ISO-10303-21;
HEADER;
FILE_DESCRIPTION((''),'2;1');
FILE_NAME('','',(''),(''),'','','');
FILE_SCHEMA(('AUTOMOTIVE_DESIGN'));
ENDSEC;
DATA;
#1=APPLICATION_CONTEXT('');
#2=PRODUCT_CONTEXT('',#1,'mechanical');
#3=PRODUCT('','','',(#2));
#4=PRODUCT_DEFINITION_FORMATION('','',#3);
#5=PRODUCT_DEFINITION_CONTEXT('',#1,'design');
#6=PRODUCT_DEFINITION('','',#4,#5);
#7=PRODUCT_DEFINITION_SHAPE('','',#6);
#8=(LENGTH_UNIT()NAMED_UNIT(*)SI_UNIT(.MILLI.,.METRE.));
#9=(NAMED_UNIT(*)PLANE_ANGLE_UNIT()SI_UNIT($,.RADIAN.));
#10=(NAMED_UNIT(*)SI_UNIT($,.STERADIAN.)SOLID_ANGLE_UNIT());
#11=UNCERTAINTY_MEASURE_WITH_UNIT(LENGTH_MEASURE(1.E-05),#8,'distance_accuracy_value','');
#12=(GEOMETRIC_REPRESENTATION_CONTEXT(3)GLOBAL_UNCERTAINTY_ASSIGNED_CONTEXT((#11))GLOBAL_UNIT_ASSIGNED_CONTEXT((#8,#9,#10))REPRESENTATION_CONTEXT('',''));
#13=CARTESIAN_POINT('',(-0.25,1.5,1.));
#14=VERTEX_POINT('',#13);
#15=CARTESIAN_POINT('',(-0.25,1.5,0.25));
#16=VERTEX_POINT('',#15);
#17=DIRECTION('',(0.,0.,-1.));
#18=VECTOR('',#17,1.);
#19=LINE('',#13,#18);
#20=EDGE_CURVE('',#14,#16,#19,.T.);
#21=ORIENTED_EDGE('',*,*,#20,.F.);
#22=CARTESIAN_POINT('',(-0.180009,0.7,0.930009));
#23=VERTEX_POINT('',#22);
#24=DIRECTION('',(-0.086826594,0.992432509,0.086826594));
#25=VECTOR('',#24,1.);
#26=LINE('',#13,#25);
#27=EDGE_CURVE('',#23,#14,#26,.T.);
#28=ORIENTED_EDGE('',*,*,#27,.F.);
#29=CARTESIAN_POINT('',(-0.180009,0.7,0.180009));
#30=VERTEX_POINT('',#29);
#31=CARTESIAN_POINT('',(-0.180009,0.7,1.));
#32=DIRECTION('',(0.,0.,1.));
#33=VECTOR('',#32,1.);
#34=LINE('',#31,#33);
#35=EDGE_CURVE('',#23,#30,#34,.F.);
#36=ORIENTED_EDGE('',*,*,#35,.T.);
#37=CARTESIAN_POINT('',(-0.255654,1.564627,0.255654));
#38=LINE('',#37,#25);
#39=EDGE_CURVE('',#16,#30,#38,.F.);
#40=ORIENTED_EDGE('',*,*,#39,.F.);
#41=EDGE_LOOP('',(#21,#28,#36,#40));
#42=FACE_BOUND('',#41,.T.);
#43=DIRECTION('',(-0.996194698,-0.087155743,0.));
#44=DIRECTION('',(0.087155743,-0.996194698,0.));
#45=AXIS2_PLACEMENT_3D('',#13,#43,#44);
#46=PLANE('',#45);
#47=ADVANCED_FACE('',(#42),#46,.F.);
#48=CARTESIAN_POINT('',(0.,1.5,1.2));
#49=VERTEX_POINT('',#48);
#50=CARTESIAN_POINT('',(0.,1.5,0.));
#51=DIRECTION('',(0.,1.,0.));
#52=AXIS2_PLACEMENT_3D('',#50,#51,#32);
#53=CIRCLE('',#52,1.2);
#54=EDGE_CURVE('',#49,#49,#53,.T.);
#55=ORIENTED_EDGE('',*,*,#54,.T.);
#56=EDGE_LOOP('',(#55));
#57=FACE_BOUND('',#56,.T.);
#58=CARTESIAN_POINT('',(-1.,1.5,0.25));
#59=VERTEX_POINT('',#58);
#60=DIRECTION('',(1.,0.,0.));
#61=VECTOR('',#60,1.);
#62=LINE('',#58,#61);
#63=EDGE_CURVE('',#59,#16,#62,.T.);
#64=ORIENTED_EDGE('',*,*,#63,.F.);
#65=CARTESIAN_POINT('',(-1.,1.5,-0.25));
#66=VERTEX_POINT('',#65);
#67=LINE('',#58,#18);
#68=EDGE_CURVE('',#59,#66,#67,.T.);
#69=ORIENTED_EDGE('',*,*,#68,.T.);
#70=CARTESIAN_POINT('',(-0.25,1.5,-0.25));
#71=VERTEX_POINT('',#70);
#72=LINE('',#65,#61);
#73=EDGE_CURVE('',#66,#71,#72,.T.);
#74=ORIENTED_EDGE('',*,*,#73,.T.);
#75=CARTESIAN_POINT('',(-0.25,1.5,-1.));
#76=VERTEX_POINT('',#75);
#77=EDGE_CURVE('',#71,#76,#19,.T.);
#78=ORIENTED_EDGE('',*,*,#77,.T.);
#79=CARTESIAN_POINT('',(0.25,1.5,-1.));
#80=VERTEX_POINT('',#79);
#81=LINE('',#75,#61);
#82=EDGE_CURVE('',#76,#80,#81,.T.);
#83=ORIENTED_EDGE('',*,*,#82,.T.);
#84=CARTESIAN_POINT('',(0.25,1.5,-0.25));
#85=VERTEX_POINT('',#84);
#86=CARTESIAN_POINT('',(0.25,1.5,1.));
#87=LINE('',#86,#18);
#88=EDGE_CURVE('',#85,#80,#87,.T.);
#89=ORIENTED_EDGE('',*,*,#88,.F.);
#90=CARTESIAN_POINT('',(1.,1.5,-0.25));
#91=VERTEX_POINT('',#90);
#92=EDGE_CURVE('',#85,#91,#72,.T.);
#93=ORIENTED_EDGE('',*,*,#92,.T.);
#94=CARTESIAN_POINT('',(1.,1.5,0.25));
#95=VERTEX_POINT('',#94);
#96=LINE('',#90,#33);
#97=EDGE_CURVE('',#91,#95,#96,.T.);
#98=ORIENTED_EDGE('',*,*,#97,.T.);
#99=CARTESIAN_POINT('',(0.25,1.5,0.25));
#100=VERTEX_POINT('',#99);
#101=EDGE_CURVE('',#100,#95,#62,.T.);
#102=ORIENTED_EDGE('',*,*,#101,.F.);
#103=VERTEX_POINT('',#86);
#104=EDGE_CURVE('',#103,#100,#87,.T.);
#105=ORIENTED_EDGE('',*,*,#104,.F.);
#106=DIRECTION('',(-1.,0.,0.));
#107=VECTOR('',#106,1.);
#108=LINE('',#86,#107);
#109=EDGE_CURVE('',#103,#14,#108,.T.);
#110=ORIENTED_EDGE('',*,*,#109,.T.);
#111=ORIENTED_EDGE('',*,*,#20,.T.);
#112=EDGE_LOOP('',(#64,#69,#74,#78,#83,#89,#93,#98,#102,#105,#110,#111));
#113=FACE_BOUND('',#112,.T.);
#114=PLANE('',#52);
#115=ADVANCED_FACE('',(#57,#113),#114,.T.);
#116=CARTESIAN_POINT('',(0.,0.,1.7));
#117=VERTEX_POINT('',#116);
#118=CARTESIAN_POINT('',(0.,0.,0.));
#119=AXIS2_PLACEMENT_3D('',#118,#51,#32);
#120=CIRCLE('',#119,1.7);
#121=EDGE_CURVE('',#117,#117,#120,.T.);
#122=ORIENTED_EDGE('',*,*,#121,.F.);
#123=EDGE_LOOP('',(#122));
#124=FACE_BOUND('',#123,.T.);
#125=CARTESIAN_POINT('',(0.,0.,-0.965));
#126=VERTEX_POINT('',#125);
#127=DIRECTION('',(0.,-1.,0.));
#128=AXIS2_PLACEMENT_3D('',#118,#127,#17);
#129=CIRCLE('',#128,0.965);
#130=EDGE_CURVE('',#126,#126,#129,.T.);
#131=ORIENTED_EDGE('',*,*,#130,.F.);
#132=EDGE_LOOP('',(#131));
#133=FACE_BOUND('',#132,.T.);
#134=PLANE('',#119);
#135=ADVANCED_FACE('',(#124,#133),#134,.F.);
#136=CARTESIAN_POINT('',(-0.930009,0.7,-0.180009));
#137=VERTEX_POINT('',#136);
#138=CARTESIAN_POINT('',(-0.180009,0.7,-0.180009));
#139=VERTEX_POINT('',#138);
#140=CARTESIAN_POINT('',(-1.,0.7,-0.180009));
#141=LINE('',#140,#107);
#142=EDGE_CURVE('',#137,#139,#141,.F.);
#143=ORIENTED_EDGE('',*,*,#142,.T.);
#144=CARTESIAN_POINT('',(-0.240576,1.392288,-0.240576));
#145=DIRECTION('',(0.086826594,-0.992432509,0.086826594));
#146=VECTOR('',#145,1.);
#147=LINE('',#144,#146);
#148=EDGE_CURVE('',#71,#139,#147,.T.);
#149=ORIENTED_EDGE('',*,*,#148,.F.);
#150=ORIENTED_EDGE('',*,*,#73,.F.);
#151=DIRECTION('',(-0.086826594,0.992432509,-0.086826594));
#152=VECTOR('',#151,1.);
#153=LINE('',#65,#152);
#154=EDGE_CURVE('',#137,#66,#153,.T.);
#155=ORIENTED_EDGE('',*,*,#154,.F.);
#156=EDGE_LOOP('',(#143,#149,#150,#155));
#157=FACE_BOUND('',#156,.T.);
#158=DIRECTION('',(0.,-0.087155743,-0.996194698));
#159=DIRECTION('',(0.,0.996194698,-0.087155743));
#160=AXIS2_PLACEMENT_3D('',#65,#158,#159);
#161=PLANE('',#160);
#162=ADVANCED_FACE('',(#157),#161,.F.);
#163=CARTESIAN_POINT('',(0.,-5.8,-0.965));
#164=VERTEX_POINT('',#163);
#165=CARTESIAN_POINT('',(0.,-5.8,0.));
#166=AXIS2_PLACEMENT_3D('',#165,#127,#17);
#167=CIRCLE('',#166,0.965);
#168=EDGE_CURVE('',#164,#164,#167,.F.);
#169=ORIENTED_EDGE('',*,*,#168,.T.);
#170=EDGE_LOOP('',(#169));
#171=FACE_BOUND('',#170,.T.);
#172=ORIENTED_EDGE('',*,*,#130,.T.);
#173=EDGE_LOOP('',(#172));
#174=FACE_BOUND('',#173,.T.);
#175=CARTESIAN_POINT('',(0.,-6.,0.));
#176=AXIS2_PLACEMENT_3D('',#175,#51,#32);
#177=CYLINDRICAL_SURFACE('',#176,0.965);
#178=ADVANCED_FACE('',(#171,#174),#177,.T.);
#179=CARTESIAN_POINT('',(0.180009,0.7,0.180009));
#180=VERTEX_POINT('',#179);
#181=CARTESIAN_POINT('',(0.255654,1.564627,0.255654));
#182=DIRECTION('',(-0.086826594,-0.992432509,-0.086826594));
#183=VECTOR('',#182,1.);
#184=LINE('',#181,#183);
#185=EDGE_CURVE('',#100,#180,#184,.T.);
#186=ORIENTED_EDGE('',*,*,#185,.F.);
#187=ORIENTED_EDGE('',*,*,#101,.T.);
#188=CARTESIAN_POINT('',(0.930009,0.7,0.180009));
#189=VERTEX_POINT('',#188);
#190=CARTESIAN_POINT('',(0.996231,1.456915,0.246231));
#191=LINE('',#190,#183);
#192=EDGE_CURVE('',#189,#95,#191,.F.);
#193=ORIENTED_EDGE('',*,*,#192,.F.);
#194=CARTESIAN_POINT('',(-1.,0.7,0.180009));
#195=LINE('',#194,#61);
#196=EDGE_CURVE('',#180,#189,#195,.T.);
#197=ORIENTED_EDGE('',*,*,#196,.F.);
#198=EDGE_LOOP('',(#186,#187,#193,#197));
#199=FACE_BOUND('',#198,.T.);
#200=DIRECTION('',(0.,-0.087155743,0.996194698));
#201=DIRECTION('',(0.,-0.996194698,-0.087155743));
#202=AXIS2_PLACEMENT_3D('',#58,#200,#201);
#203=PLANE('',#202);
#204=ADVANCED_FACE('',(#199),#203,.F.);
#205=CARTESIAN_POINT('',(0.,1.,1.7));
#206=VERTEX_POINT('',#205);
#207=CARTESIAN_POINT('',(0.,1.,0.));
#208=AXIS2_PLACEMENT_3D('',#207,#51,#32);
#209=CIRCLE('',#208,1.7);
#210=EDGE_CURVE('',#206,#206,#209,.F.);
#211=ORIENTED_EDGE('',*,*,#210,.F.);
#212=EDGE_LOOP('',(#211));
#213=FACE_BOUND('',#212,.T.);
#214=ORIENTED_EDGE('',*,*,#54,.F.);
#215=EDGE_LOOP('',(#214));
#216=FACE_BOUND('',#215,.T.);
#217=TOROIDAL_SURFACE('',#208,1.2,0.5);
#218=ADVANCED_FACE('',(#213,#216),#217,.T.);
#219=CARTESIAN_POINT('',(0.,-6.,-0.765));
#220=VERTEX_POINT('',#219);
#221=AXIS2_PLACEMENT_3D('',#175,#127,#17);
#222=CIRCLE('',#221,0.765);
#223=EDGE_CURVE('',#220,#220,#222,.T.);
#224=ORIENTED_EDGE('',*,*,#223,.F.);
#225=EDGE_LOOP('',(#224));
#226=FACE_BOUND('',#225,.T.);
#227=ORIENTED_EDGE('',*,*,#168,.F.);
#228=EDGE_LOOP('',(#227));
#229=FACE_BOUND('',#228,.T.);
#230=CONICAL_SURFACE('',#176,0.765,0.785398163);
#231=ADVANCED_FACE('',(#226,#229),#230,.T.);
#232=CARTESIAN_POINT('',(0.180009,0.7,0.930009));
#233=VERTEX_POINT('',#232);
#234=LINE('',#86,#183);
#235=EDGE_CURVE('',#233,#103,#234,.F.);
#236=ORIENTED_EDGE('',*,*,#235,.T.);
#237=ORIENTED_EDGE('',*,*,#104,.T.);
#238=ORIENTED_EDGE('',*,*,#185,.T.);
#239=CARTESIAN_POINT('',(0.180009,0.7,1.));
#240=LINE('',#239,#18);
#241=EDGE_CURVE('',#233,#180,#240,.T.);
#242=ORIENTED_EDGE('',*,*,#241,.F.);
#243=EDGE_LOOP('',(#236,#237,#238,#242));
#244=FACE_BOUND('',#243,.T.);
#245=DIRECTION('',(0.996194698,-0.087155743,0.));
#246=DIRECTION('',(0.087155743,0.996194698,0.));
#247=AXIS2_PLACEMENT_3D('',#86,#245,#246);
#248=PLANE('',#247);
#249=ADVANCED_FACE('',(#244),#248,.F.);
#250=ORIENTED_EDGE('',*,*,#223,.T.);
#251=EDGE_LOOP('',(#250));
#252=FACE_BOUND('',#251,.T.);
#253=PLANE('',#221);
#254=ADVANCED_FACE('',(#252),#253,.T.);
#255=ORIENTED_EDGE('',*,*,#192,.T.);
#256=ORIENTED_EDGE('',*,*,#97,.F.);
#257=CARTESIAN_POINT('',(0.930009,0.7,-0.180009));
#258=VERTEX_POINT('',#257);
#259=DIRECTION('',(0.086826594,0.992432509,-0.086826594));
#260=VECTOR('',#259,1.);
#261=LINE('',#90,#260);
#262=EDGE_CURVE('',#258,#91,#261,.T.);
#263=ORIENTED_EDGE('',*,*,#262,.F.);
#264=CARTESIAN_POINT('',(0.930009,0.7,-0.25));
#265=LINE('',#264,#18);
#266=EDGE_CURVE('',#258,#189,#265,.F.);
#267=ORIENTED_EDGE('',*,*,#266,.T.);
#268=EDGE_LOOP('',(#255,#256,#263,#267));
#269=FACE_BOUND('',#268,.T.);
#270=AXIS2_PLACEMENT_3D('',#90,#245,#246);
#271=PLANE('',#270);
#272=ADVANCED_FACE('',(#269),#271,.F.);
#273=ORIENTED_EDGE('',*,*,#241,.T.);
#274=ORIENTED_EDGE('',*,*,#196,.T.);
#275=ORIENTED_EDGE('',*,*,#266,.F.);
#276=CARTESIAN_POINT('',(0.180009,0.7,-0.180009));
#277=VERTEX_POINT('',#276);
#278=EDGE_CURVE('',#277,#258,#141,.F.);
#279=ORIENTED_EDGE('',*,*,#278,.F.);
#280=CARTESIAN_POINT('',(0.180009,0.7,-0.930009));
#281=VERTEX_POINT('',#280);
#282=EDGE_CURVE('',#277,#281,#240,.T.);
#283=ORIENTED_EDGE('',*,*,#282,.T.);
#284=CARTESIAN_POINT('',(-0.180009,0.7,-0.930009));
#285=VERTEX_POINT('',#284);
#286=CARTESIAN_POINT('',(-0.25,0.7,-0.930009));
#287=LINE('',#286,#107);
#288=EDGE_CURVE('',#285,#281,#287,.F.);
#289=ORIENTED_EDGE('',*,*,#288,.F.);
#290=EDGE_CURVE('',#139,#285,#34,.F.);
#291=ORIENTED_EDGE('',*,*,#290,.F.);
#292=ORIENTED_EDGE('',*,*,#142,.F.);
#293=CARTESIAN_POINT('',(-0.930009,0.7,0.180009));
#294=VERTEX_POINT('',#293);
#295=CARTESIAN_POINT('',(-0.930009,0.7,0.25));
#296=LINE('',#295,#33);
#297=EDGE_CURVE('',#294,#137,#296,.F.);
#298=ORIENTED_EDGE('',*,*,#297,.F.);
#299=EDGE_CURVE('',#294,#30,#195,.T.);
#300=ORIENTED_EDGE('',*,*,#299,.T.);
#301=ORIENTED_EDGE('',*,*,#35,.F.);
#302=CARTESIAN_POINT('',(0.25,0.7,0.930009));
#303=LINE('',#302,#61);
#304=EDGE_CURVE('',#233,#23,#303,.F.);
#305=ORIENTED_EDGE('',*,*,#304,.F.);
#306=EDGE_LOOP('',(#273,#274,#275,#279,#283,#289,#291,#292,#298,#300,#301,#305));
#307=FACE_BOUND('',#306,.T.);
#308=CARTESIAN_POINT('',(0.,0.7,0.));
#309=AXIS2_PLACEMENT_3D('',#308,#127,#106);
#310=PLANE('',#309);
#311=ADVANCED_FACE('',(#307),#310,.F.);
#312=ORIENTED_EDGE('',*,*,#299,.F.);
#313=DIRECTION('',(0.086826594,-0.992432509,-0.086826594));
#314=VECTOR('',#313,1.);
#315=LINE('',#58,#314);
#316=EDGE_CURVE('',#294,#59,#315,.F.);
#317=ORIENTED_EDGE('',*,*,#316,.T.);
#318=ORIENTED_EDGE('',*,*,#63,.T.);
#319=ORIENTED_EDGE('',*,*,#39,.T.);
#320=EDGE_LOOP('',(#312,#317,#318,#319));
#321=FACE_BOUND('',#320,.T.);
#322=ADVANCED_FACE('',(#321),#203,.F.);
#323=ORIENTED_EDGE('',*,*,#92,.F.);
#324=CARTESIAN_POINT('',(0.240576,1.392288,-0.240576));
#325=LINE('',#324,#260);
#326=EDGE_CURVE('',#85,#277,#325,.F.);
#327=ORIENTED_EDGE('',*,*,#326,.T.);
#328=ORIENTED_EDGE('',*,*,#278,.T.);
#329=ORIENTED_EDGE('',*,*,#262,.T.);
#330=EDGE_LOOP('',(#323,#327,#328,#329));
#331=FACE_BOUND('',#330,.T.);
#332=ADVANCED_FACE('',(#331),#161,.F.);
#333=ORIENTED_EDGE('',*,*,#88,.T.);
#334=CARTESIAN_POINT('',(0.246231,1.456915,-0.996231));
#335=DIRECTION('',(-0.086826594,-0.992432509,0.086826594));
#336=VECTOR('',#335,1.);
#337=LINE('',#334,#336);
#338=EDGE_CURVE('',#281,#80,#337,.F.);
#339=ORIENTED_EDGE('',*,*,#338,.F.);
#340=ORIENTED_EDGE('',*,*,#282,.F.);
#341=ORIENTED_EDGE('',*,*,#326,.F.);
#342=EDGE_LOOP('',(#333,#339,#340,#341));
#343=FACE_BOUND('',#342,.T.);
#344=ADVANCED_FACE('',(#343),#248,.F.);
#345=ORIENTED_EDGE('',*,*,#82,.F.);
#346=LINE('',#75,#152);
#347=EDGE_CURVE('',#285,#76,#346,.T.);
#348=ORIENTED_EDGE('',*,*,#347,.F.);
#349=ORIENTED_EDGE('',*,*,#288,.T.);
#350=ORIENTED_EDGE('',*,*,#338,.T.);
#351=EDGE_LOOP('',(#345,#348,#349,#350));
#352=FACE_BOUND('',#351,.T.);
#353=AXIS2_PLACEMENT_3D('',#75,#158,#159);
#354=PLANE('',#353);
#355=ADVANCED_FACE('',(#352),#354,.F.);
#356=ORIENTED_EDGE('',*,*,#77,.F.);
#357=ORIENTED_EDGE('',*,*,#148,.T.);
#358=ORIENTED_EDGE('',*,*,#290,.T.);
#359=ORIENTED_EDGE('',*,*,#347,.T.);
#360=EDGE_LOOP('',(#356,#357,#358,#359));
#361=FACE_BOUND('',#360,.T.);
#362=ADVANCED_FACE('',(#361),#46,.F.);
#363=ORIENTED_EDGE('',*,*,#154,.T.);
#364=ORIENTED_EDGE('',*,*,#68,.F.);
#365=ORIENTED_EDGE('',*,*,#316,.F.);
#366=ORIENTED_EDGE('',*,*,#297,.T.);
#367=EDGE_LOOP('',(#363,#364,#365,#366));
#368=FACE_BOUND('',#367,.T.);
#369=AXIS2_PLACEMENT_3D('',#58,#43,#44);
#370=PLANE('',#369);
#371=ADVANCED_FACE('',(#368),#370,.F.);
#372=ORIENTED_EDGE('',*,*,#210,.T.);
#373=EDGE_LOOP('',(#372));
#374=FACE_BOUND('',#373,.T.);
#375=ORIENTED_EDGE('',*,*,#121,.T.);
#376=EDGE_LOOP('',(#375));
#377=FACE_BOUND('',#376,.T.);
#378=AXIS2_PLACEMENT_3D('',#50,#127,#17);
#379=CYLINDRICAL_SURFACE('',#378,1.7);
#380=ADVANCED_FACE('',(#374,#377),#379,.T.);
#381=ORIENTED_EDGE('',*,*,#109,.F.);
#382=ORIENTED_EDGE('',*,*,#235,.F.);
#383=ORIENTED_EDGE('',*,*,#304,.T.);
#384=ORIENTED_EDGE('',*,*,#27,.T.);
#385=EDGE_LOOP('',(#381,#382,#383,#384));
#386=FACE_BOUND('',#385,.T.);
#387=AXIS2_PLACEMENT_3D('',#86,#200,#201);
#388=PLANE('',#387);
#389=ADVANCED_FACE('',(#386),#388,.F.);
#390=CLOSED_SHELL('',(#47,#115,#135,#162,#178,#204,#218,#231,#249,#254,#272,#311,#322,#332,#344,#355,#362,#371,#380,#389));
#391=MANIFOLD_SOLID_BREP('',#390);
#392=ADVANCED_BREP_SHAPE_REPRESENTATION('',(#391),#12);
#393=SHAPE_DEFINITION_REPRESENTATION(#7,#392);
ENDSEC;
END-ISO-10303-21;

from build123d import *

# Parameters (mm, degrees)
SKETCH1_R                         = 1.7
BOSS_EXTRUDE1_DEPTH               = 1.5
SKETCH2_R                         = 0.965
BOSS_EXTRUDE2_DEPTH               = 6
CHAMFER1_SIZE                     = 0.2
SKETCH3_W                         = 0.5
SKETCH3_H                         = 2
CUT_EXTRUDE_THIN1_DEPTH           = 0.8
CUT_EXTRUDE_THIN1_DRAFT           = -5
SKETCH3_W_2                       = 2
SKETCH3_H_2                       = 0.5
CUT_EXTRUDE_THIN1_PROFILE_2_DEPTH = 0.8
CUT_EXTRUDE_THIN1_PROFILE_2_DRAFT = -5
FILLET1_R                         = 0.5


with BuildPart() as part:
    # Sketch1 → Boss-Extrude1 (new body)
    with BuildSketch(Plane(origin=(0, 0, 0), x_dir=(1, 0, 0), z_dir=(0, 1, 0))):
        Circle(SKETCH1_R)
    extrude(amount=BOSS_EXTRUDE1_DEPTH)

    # Sketch2 → Boss-Extrude2 (add)
    with BuildSketch(Plane.XZ):
        Circle(SKETCH2_R)
    extrude(amount=BOSS_EXTRUDE2_DEPTH)

    # Chamfer1
    chamfer1_edges = [part.edges().sort_by_distance(p)[0] for p in [
        (-0.965, -6, 0),
    ]]
    chamfer(chamfer1_edges, length=CHAMFER1_SIZE)


with BuildPart() as cut_extrude_thin1_tool:
    # Sketch3 → Cut-Extrude-Thin1 (with draft: the straight prism first)
    with BuildSketch(Plane(origin=(0, 1.5, 0), x_dir=(1, 0, 0), z_dir=(0, 1, 0))):
        Rectangle(SKETCH3_W, SKETCH3_H)
    extrude(amount=-CUT_EXTRUDE_THIN1_DEPTH)
    # Cut-Extrude-Thin1: the draft: its side faces are tilted about the plane it starts from
    cut_extrude_thin1_sides = [cut_extrude_thin1_tool.faces().sort_by_distance(p)[0] for p in [
        (0.25, 1.1, 0),
        (0, 1.1, -1),
        (-0.25, 1.1, 0),
        (0, 1.1, 1),
    ]]
    draft(cut_extrude_thin1_sides, Plane(origin=(0, 1.5, 0), x_dir=(1, 0, 0), z_dir=(0, 1, 0)), CUT_EXTRUDE_THIN1_DRAFT)


with BuildPart() as part_1:
    add(part.part)

    # Cut-Extrude-Thin1: cut by cut_extrude_thin1_tool
    add(cut_extrude_thin1_tool.part, mode=Mode.SUBTRACT)


with BuildPart() as cut_extrude_thin1_profile_2_tool:
    # Sketch3 → Cut-Extrude-Thin1 profile 2 (with draft: the straight prism first)
    with BuildSketch(Plane(origin=(0, 1.5, 0), x_dir=(1, 0, 0), z_dir=(0, 1, 0))):
        Rectangle(SKETCH3_W_2, SKETCH3_H_2)
    extrude(amount=-CUT_EXTRUDE_THIN1_PROFILE_2_DEPTH)
    # Cut-Extrude-Thin1 profile 2: the draft: its side faces are tilted about the plane it starts from
    cut_extrude_thin1_profile_2_sides = [cut_extrude_thin1_profile_2_tool.faces().sort_by_distance(p)[0] for p in [
        (0, 1.1, 0.25),
        (1, 1.1, 0),
        (0, 1.1, -0.25),
        (-1, 1.1, 0),
    ]]
    draft(cut_extrude_thin1_profile_2_sides, Plane(origin=(0, 1.5, 0), x_dir=(1, 0, 0), z_dir=(0, 1, 0)), CUT_EXTRUDE_THIN1_PROFILE_2_DRAFT)


with BuildPart() as part_2:
    add(part_1.part)

    # Cut-Extrude-Thin1 profile 2: cut by cut_extrude_thin1_profile_2_tool
    add(cut_extrude_thin1_profile_2_tool.part, mode=Mode.SUBTRACT)

    # Fillet1
    fillet1_edges = [part_2.edges().sort_by_distance(p)[0] for p in [
        (-1.7, 1.5, 0),
    ]]
    fillet(fillet1_edges, radius=FILLET1_R)


solid = part_2.part
